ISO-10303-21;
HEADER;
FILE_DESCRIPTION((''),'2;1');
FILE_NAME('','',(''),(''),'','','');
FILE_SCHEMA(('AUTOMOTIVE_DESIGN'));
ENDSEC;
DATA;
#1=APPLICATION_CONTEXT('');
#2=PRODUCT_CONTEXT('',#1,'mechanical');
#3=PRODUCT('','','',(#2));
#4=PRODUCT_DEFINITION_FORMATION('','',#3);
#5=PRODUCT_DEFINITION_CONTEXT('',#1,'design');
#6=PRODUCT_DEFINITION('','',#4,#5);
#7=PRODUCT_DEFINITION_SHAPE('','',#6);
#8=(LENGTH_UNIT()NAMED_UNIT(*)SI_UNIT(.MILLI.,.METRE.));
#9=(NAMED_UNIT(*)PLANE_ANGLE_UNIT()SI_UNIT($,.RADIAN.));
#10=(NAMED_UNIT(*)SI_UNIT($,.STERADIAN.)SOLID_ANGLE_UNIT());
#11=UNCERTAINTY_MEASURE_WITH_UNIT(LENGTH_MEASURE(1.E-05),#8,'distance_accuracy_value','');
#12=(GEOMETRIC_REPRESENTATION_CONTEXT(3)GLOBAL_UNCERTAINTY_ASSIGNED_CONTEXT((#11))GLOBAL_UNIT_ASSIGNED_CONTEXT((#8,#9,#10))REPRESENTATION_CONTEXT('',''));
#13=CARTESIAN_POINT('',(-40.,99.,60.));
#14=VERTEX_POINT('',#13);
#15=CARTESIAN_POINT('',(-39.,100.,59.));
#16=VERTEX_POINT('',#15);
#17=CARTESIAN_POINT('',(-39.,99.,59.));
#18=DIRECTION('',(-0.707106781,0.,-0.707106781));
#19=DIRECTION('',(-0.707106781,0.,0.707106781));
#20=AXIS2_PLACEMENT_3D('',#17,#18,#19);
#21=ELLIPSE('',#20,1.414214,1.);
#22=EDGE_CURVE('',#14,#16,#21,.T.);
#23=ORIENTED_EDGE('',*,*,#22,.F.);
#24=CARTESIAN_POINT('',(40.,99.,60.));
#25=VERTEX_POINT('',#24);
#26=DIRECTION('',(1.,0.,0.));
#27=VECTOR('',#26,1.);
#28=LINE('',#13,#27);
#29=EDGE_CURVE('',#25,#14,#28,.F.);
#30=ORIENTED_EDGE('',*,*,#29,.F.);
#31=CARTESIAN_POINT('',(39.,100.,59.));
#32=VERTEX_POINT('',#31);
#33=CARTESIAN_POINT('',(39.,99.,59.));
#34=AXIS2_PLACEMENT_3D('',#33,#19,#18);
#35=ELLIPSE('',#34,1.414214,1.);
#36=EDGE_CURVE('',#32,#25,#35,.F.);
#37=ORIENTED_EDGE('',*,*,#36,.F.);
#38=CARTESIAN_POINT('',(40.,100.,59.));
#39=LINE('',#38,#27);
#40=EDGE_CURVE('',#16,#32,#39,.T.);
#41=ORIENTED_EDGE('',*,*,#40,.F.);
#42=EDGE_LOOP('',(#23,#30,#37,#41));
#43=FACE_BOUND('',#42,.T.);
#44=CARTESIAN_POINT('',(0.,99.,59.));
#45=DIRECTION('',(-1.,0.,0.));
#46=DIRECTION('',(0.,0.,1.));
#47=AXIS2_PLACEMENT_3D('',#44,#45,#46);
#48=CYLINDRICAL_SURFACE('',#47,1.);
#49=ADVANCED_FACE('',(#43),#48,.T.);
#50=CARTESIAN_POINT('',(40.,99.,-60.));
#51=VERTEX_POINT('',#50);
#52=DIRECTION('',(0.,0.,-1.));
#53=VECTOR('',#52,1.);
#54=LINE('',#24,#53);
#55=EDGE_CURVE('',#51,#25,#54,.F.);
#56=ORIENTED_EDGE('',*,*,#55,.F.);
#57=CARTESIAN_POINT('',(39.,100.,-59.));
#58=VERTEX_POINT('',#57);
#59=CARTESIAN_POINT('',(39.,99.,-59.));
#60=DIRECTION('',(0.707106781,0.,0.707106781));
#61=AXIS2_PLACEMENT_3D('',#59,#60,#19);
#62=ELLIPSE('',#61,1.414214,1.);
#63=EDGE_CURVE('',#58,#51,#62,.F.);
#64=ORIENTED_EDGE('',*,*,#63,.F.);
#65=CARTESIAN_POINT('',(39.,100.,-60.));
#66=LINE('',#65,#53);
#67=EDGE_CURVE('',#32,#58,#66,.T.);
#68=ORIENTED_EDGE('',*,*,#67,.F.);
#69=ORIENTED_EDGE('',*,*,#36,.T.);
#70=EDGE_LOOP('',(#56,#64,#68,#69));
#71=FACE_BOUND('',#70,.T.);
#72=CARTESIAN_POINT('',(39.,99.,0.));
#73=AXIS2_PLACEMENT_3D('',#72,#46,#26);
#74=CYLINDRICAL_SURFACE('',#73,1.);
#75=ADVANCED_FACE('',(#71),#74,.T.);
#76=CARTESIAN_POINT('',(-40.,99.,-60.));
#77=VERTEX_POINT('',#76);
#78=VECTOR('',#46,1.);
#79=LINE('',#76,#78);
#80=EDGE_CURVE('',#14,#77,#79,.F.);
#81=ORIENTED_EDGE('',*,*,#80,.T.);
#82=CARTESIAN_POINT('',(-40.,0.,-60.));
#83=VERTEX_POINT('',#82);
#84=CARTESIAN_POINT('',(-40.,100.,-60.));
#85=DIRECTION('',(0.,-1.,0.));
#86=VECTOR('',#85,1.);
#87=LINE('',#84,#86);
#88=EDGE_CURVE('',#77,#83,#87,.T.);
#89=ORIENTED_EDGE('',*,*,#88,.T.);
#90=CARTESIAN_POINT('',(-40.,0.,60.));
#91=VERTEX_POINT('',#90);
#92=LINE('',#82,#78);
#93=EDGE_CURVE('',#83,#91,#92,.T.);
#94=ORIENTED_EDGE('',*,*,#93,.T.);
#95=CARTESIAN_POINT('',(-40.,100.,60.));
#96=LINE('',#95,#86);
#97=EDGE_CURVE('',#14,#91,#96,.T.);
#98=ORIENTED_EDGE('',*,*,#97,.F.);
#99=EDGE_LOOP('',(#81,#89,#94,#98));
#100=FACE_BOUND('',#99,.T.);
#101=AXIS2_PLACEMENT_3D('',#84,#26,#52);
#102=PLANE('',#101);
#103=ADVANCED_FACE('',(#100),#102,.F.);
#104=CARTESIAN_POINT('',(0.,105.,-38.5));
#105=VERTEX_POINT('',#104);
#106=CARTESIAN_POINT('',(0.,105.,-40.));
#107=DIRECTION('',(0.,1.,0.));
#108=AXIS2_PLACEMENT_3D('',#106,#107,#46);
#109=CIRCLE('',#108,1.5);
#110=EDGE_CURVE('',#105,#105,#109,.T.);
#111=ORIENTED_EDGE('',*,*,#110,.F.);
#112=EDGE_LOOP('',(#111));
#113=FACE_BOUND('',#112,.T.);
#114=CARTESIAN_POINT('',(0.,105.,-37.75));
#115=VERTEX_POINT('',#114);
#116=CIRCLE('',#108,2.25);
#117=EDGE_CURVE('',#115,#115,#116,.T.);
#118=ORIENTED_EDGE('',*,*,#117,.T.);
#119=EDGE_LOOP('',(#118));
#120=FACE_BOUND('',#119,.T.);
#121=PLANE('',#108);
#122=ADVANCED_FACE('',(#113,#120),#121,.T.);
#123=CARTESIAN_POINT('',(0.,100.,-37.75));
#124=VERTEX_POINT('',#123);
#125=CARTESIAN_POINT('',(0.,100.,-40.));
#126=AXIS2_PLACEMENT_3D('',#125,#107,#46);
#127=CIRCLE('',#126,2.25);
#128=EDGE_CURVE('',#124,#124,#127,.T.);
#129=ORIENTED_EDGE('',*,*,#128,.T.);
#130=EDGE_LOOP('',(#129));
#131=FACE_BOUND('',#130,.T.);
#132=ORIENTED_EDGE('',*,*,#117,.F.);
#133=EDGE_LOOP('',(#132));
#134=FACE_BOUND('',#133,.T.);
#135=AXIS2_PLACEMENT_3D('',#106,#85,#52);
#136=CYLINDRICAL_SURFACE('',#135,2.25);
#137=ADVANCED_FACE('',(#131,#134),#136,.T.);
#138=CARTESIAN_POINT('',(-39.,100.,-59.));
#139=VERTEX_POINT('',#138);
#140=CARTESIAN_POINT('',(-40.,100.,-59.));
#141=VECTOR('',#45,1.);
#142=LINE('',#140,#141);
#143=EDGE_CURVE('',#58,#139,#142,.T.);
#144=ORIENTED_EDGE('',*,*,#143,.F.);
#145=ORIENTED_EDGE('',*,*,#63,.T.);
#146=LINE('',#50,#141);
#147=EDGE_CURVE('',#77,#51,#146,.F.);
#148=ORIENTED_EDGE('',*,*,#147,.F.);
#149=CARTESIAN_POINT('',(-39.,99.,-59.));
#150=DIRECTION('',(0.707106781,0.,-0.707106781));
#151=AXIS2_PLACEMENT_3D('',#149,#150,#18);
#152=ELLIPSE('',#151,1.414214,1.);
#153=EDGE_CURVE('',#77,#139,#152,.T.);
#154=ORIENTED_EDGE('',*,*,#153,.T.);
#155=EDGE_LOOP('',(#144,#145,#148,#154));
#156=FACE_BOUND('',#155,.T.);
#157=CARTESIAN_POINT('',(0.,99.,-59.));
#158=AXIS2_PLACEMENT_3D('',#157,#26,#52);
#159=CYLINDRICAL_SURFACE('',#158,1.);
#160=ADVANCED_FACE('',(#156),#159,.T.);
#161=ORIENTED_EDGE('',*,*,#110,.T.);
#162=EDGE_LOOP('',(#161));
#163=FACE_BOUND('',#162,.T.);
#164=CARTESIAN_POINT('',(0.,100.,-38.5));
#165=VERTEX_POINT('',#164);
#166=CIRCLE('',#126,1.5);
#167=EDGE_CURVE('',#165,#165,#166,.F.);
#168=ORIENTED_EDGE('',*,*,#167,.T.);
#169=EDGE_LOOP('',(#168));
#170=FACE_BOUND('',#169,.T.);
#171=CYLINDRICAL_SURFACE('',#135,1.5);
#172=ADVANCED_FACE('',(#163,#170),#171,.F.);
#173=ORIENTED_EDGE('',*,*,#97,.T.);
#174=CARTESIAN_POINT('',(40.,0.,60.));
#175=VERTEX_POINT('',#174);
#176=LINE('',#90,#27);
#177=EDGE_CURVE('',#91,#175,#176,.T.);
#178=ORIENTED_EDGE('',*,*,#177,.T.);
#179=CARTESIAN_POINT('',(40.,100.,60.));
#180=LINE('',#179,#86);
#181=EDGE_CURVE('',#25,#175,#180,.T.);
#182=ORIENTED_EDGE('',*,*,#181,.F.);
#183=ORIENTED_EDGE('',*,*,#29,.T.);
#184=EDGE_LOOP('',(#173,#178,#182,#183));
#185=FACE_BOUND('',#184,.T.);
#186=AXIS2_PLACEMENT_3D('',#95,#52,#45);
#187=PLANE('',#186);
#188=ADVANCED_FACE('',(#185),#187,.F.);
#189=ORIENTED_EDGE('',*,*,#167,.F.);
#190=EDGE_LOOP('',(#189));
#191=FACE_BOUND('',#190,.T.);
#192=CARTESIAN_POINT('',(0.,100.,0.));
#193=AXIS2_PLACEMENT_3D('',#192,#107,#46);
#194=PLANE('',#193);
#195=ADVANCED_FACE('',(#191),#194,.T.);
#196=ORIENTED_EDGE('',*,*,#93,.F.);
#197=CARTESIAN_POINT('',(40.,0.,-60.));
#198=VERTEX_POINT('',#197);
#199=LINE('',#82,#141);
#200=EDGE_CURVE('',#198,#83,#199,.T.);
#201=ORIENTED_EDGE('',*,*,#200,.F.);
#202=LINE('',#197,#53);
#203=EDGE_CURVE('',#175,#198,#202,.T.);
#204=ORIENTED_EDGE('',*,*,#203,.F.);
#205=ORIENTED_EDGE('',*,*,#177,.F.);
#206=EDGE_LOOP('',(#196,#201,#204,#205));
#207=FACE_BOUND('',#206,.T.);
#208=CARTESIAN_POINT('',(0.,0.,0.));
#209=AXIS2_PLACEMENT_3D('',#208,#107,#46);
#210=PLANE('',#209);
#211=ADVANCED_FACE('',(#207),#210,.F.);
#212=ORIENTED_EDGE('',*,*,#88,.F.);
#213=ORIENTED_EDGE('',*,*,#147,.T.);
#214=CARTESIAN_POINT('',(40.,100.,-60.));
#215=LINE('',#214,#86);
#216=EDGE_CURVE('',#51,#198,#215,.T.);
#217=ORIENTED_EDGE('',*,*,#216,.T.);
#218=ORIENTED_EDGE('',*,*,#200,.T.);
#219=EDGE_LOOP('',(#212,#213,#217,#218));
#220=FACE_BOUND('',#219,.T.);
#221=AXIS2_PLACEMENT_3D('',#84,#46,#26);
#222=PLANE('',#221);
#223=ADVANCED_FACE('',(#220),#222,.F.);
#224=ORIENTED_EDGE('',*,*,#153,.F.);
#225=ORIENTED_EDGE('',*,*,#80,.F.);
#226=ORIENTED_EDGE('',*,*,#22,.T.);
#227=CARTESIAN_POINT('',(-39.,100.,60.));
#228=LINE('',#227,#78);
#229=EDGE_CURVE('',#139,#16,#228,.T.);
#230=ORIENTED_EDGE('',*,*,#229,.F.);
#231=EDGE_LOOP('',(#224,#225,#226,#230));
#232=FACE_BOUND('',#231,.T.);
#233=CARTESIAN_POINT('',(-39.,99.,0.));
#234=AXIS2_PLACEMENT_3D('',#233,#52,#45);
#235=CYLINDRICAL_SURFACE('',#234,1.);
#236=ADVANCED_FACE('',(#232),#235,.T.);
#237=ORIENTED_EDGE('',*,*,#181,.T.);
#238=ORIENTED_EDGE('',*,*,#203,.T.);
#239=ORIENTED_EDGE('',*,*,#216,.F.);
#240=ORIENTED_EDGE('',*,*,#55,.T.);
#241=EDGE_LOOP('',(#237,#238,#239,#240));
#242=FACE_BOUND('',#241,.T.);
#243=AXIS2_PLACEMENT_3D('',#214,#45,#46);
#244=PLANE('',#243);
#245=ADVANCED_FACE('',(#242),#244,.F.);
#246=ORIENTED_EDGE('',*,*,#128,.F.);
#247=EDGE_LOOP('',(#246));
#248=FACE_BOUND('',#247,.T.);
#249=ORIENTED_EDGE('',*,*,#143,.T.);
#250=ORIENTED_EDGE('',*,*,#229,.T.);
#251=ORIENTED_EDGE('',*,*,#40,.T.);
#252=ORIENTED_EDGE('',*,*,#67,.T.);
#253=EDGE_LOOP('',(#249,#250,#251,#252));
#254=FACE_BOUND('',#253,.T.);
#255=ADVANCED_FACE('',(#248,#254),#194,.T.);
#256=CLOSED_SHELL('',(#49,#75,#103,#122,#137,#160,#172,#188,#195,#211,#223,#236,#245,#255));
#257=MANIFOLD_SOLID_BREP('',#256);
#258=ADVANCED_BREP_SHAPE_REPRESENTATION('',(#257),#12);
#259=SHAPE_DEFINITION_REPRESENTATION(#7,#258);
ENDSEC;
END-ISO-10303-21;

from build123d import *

# Parameters (mm, degrees)
SKETCH1_W           = 80
SKETCH1_H           = 120
BOSS_EXTRUDE1_DEPTH = 100
SKETCH2_R           = 2.25
SKETCH2_R_2         = 1.5
BOSS_EXTRUDE2_DEPTH = 5
FILLET1_R           = 1


with BuildPart() as part:
    # Sketch1 → Boss-Extrude1 (new body)
    with BuildSketch(Plane(origin=(0, 0, 0), x_dir=(1, 0, 0), z_dir=(0, 1, 0))):
        Rectangle(SKETCH1_W, SKETCH1_H)
    extrude(amount=BOSS_EXTRUDE1_DEPTH)

    # Sketch2 → Boss-Extrude2 (add)
    with BuildSketch(Plane(origin=(0, 100, 0), x_dir=(1, 0, 0), z_dir=(0, 1, 0))):
        with Locations((0, 40)):
            Circle(SKETCH2_R)
        with Locations((0, 40)):
            Circle(SKETCH2_R_2, mode=Mode.SUBTRACT)
    extrude(amount=BOSS_EXTRUDE2_DEPTH)

    # Fillet1
    fillet1_edges = [part.edges().sort_by_distance(p)[0] for p in [
        (-40, 100, 0),
        (0, 100, 60),
        (40, 100, 0),
        (0, 100, -60),
    ]]
    fillet(fillet1_edges, radius=FILLET1_R)


solid = part.part
